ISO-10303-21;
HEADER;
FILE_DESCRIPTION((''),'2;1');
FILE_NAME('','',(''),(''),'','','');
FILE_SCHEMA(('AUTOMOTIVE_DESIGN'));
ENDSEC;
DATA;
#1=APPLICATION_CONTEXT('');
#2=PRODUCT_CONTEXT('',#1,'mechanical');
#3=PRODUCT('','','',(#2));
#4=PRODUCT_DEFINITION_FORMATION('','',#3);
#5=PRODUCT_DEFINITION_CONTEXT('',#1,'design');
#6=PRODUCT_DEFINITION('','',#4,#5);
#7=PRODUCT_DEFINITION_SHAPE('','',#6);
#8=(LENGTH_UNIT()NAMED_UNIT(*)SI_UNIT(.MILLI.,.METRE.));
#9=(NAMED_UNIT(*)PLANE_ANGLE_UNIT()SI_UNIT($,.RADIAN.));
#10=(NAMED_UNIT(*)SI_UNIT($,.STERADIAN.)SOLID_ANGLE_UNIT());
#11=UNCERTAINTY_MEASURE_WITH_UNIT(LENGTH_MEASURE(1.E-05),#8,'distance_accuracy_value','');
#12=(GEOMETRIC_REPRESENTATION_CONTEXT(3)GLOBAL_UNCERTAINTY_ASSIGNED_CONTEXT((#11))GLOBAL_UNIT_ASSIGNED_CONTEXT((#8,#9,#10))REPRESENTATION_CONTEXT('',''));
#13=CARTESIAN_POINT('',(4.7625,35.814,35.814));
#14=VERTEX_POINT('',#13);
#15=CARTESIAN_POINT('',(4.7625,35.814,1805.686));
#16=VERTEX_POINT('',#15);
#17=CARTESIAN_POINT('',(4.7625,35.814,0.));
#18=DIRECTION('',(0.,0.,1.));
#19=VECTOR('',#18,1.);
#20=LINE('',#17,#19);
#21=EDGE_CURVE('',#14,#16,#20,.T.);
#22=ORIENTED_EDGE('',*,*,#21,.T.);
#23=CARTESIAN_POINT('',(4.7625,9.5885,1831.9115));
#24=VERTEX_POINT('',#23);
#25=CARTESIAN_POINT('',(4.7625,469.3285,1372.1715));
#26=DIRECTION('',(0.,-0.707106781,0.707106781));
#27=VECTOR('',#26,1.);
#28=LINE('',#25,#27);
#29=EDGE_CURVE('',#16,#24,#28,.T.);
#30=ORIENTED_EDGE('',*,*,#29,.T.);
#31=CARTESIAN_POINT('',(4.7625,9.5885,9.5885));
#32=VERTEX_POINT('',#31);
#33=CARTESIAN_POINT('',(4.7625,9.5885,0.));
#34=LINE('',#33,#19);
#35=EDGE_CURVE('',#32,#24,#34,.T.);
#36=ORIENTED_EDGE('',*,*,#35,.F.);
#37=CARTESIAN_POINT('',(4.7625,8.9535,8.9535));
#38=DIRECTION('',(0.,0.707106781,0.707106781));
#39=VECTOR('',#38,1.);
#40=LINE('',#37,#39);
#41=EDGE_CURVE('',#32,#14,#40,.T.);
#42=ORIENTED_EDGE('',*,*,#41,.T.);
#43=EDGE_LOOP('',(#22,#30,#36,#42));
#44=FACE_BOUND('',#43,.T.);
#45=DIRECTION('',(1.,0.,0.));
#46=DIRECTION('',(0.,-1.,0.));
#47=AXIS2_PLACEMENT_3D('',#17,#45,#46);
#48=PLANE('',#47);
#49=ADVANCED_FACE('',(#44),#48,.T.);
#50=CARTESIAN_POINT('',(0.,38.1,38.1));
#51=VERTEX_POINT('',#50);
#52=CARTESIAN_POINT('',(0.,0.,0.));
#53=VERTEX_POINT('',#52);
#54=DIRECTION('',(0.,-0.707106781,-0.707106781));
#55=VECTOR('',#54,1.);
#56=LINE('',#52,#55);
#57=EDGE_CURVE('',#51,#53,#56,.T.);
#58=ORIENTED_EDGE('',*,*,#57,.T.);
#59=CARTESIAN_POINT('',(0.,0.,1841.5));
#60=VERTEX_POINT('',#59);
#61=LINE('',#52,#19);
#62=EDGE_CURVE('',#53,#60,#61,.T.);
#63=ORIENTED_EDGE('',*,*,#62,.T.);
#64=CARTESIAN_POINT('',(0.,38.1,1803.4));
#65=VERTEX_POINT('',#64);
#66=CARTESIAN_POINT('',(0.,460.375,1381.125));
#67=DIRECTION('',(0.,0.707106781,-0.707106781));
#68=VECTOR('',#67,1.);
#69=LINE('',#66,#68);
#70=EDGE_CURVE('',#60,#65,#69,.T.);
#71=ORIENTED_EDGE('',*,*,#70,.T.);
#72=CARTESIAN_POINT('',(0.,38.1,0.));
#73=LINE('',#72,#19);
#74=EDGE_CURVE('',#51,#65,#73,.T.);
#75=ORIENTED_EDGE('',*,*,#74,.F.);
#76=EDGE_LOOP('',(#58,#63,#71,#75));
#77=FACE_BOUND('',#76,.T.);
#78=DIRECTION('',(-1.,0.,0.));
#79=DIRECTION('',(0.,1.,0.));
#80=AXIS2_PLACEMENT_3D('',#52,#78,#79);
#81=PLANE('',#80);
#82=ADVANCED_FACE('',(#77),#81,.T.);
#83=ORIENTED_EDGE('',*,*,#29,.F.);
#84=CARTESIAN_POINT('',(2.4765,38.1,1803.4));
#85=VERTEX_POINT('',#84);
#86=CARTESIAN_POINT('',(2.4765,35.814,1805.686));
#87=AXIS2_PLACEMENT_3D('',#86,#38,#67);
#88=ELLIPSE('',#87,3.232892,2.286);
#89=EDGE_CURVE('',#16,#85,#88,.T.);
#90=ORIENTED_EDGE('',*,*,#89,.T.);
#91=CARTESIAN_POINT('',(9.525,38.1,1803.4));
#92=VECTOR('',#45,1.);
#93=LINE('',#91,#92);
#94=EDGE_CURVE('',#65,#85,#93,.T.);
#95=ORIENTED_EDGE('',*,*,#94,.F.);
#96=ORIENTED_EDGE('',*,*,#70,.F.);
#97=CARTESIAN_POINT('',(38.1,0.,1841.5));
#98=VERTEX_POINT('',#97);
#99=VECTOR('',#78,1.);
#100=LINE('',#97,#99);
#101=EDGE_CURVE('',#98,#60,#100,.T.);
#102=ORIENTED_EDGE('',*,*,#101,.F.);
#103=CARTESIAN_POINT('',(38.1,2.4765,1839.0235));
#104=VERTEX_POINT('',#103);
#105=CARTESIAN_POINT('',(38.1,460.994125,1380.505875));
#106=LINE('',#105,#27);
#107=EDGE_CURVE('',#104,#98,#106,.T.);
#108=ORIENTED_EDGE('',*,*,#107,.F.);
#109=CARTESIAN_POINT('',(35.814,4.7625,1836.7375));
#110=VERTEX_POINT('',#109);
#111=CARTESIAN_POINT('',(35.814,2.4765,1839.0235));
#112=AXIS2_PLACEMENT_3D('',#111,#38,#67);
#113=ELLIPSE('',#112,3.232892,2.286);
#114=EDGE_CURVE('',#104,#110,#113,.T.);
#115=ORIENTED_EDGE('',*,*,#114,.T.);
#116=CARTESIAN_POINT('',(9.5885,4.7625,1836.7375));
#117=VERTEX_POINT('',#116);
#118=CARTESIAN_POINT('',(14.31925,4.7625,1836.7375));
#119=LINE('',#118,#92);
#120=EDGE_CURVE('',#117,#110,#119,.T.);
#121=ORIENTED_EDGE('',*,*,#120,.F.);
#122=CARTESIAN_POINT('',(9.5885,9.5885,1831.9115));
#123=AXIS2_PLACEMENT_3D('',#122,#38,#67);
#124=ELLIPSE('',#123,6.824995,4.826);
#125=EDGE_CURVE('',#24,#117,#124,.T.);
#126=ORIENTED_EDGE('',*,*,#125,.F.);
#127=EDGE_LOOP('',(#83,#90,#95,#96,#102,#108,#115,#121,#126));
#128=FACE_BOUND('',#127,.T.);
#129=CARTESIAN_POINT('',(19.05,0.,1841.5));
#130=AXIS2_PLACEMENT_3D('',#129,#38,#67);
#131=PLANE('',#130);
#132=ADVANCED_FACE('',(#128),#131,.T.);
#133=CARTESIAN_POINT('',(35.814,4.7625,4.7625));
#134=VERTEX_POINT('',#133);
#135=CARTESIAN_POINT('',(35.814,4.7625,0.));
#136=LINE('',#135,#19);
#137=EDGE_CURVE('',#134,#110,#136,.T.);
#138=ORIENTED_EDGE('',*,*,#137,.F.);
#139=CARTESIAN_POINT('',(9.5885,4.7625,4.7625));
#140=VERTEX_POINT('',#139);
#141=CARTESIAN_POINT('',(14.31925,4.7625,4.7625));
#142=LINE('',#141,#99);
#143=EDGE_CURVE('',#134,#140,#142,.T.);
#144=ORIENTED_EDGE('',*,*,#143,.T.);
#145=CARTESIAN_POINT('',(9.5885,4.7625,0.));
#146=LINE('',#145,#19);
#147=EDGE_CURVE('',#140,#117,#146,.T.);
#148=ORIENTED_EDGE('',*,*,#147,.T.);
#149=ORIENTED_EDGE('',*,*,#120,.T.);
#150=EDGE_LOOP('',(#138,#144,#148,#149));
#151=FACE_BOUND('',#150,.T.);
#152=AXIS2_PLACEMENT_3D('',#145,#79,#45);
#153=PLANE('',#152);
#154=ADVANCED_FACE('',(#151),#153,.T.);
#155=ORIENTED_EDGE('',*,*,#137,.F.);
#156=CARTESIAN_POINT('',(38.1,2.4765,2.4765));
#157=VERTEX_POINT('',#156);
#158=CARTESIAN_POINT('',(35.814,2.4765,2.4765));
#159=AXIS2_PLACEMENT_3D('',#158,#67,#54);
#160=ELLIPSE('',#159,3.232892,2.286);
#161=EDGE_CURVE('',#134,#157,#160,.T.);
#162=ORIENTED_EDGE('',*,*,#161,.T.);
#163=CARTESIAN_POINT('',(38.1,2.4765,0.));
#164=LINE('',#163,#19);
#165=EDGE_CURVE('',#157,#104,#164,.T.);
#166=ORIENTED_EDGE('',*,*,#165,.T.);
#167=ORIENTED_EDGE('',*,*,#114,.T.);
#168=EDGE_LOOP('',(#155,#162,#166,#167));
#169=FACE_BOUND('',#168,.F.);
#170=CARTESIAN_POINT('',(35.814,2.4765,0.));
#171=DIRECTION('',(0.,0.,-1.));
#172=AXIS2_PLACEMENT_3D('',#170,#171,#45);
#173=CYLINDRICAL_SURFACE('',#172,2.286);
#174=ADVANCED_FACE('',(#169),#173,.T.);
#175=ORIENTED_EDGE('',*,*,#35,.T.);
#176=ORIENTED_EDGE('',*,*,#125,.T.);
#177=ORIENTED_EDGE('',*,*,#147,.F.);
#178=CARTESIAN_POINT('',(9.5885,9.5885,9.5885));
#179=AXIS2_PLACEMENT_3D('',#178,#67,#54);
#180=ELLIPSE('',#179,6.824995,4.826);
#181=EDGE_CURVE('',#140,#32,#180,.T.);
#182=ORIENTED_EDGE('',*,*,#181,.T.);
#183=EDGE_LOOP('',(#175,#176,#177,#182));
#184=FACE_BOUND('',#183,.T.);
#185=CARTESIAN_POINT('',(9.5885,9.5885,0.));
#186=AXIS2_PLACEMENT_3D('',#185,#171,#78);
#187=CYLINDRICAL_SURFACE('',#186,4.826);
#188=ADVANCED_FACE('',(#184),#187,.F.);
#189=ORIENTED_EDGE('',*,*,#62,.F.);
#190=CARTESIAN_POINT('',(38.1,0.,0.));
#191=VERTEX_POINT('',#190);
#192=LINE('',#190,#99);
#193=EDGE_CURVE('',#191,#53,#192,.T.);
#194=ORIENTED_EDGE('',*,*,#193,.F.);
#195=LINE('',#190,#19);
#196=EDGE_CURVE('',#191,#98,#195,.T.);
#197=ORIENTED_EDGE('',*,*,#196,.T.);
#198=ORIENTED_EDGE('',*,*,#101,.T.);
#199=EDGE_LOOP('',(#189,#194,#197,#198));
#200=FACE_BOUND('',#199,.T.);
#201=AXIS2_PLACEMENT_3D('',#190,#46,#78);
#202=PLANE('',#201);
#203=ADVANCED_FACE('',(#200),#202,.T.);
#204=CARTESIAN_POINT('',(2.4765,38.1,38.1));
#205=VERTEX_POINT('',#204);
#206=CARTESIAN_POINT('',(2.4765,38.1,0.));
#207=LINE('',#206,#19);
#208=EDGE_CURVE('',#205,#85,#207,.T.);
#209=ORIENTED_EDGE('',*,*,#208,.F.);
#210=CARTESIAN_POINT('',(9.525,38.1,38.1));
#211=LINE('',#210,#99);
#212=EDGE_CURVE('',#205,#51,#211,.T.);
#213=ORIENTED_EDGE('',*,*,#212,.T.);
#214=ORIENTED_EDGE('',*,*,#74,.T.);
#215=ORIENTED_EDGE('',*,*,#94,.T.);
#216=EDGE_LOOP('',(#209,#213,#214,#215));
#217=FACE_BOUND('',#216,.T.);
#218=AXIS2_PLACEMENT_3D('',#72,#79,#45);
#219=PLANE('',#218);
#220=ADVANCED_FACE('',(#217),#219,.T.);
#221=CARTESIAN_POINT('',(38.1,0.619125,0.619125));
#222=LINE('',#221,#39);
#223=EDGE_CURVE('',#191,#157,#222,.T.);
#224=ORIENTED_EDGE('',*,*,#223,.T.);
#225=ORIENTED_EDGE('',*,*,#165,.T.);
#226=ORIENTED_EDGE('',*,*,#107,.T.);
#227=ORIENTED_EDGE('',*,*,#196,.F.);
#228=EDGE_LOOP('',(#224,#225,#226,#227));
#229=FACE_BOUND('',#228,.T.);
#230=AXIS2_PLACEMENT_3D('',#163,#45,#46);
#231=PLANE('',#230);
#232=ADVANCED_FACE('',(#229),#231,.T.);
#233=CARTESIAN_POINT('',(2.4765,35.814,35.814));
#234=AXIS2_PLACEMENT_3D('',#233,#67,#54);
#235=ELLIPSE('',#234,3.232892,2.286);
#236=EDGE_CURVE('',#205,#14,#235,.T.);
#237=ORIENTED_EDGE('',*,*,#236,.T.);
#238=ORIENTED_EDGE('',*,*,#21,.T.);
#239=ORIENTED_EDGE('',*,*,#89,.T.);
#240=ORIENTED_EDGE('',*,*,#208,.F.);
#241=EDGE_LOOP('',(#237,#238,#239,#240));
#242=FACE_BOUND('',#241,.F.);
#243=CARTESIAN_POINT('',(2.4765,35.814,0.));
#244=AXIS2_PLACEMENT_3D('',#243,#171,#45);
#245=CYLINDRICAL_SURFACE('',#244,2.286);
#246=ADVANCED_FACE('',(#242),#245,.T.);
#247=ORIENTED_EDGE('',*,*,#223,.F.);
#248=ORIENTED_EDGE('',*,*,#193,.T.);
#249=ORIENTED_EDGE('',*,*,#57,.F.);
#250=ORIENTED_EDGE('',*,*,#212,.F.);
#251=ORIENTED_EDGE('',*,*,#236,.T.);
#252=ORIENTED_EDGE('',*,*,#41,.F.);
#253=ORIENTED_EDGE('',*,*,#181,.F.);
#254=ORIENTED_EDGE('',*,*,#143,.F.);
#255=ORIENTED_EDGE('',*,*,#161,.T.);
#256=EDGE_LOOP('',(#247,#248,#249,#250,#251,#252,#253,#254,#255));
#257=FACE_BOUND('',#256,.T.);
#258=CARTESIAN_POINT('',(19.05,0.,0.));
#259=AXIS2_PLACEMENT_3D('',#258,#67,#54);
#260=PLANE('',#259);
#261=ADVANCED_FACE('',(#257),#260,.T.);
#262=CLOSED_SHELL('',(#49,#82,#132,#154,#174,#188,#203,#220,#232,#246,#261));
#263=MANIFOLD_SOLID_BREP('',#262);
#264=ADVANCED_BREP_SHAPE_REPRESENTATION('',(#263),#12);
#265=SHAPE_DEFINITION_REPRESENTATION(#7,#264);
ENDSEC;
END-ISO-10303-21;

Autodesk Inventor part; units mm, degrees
ref_plane "Start plane" through (0, 0, 0) normal (0, 0, 1) x (1, 0, 0)
ref_plane "End plane" through (0, 0, 1841.5) normal (0, 0, 1) x (1, 0, 0)
sketch "Sketch" plane through (0, 0, 0) normal (0, 0, 1) x (1, 0, 0)
  line L0 (38.1, 0) -> (0, 0)
  line L1 (0, 0) -> (0, 38.1)
  line L2 (0, 38.1) -> (2.4765, 38.1)
  line L3 (4.7625, 35.814) -> (4.7625, 9.5885)
  line L4 (9.5885, 4.7625) -> (35.814, 4.7625)
  line L5 (38.1, 2.4765) -> (38.1, 0)
  line L6 (0, -11.0414) -> (0, 31.5385) construction
  line L7 (-11.0414, 0) -> (31.5385, 0) construction
  arc A0 (4.7625, 9.5885) -> (9.5885, 4.7625) centre (9.5885, 9.5885) ccw
  arc A1 (4.7625, 35.814) -> (2.4765, 38.1) centre (2.4765, 35.814) ccw
  arc A2 (38.1, 2.4765) -> (35.814, 4.7625) centre (35.814, 2.4765) ccw
  line L8 (0, 48.4964) -> (0, -20.9644) construction
  line L9 (-20.9644, 0) -> (48.4964, 0) construction
  point P0 (4.7625, 38.1)
  point P1 (4.7625, 4.7625)
  point P2 (38.1, 4.7625)
  dimension "d0" = 38.1
  dimension "d1" = 38.1
  dimension "d2" = 4.7625
  dimension "d3" = 4.7625
  dimension "d10" = 0
  dimension "d11" = 0
  dimension "d14" = 4.826
  dimension "d15" = 2.286
extrude "Body" add sketch "Sketch" along normal up to surface (1841.5 mm away) from surface at 0
sketch "Sketch3" plane through (0, 0, 0) normal (0, 0, 1) x (1, 0, 0)
  line L0 (0, 0) -> (10, 0)
ref_plane "Work Plane3" through (0, 0, 0) normal (0, -1, 0) x (1, 0, 0)
sketch "Sketch4" plane through (0, 0, 0) normal (0, -1, 0) x (1, 0, 0)
  line L0 (-2, 0) -> (12, 0)
  line L1 (-2, 1841.5) -> (12, 1841.5)
  dimension "d17" = 1841.5
ref_plane "Work Plane4" through (19.05, 0, 0) normal (0, 0.7071, -0.7071) x (1, 0, 0)
split "Split1" plane through (19.05, 0, 0) removes the side toward (0, 0.7071, -0.7071)
ref_plane "Work Plane5" through (19.05, 0, 1841.5) normal (0, 0.7071, 0.7071) x (1, 0, 0)
split "Split2" plane through (19.05, 0, 1841.5) removes the side toward (0, 0.7071, 0.7071)
equation "\"d0\" = G_H"
equation "\"d1\" = G_H"
equation "\"d2\" = G_T"
equation "\"d3\" = G_T"
equation "\"d14\" = G_IR"
equation "\"d15\" = G_ER"
equation "\"d4\" = G_L"
equation "\"G_H\" = 38.1"
equation "\"G_T\" = 4.7625"
equation "\"G_ER\" = 2.286"
equation "\"G_IR\" = 4.826"
equation "\"G_L\" = d17"
equation "\"ex\" = 0"
equation "\"G_OFFSET_START\" = 0"
equation "\"G_OFFSET_END\" = 0"
equation "\"d13\" = G_OFFSET_END + B_L"
equation "\"B_L\" = 1841.5"
properties part number "AISC - L 1.5 x 1.5 x 3/16 - 72.5" material "Aluminum 6061-AHC"
